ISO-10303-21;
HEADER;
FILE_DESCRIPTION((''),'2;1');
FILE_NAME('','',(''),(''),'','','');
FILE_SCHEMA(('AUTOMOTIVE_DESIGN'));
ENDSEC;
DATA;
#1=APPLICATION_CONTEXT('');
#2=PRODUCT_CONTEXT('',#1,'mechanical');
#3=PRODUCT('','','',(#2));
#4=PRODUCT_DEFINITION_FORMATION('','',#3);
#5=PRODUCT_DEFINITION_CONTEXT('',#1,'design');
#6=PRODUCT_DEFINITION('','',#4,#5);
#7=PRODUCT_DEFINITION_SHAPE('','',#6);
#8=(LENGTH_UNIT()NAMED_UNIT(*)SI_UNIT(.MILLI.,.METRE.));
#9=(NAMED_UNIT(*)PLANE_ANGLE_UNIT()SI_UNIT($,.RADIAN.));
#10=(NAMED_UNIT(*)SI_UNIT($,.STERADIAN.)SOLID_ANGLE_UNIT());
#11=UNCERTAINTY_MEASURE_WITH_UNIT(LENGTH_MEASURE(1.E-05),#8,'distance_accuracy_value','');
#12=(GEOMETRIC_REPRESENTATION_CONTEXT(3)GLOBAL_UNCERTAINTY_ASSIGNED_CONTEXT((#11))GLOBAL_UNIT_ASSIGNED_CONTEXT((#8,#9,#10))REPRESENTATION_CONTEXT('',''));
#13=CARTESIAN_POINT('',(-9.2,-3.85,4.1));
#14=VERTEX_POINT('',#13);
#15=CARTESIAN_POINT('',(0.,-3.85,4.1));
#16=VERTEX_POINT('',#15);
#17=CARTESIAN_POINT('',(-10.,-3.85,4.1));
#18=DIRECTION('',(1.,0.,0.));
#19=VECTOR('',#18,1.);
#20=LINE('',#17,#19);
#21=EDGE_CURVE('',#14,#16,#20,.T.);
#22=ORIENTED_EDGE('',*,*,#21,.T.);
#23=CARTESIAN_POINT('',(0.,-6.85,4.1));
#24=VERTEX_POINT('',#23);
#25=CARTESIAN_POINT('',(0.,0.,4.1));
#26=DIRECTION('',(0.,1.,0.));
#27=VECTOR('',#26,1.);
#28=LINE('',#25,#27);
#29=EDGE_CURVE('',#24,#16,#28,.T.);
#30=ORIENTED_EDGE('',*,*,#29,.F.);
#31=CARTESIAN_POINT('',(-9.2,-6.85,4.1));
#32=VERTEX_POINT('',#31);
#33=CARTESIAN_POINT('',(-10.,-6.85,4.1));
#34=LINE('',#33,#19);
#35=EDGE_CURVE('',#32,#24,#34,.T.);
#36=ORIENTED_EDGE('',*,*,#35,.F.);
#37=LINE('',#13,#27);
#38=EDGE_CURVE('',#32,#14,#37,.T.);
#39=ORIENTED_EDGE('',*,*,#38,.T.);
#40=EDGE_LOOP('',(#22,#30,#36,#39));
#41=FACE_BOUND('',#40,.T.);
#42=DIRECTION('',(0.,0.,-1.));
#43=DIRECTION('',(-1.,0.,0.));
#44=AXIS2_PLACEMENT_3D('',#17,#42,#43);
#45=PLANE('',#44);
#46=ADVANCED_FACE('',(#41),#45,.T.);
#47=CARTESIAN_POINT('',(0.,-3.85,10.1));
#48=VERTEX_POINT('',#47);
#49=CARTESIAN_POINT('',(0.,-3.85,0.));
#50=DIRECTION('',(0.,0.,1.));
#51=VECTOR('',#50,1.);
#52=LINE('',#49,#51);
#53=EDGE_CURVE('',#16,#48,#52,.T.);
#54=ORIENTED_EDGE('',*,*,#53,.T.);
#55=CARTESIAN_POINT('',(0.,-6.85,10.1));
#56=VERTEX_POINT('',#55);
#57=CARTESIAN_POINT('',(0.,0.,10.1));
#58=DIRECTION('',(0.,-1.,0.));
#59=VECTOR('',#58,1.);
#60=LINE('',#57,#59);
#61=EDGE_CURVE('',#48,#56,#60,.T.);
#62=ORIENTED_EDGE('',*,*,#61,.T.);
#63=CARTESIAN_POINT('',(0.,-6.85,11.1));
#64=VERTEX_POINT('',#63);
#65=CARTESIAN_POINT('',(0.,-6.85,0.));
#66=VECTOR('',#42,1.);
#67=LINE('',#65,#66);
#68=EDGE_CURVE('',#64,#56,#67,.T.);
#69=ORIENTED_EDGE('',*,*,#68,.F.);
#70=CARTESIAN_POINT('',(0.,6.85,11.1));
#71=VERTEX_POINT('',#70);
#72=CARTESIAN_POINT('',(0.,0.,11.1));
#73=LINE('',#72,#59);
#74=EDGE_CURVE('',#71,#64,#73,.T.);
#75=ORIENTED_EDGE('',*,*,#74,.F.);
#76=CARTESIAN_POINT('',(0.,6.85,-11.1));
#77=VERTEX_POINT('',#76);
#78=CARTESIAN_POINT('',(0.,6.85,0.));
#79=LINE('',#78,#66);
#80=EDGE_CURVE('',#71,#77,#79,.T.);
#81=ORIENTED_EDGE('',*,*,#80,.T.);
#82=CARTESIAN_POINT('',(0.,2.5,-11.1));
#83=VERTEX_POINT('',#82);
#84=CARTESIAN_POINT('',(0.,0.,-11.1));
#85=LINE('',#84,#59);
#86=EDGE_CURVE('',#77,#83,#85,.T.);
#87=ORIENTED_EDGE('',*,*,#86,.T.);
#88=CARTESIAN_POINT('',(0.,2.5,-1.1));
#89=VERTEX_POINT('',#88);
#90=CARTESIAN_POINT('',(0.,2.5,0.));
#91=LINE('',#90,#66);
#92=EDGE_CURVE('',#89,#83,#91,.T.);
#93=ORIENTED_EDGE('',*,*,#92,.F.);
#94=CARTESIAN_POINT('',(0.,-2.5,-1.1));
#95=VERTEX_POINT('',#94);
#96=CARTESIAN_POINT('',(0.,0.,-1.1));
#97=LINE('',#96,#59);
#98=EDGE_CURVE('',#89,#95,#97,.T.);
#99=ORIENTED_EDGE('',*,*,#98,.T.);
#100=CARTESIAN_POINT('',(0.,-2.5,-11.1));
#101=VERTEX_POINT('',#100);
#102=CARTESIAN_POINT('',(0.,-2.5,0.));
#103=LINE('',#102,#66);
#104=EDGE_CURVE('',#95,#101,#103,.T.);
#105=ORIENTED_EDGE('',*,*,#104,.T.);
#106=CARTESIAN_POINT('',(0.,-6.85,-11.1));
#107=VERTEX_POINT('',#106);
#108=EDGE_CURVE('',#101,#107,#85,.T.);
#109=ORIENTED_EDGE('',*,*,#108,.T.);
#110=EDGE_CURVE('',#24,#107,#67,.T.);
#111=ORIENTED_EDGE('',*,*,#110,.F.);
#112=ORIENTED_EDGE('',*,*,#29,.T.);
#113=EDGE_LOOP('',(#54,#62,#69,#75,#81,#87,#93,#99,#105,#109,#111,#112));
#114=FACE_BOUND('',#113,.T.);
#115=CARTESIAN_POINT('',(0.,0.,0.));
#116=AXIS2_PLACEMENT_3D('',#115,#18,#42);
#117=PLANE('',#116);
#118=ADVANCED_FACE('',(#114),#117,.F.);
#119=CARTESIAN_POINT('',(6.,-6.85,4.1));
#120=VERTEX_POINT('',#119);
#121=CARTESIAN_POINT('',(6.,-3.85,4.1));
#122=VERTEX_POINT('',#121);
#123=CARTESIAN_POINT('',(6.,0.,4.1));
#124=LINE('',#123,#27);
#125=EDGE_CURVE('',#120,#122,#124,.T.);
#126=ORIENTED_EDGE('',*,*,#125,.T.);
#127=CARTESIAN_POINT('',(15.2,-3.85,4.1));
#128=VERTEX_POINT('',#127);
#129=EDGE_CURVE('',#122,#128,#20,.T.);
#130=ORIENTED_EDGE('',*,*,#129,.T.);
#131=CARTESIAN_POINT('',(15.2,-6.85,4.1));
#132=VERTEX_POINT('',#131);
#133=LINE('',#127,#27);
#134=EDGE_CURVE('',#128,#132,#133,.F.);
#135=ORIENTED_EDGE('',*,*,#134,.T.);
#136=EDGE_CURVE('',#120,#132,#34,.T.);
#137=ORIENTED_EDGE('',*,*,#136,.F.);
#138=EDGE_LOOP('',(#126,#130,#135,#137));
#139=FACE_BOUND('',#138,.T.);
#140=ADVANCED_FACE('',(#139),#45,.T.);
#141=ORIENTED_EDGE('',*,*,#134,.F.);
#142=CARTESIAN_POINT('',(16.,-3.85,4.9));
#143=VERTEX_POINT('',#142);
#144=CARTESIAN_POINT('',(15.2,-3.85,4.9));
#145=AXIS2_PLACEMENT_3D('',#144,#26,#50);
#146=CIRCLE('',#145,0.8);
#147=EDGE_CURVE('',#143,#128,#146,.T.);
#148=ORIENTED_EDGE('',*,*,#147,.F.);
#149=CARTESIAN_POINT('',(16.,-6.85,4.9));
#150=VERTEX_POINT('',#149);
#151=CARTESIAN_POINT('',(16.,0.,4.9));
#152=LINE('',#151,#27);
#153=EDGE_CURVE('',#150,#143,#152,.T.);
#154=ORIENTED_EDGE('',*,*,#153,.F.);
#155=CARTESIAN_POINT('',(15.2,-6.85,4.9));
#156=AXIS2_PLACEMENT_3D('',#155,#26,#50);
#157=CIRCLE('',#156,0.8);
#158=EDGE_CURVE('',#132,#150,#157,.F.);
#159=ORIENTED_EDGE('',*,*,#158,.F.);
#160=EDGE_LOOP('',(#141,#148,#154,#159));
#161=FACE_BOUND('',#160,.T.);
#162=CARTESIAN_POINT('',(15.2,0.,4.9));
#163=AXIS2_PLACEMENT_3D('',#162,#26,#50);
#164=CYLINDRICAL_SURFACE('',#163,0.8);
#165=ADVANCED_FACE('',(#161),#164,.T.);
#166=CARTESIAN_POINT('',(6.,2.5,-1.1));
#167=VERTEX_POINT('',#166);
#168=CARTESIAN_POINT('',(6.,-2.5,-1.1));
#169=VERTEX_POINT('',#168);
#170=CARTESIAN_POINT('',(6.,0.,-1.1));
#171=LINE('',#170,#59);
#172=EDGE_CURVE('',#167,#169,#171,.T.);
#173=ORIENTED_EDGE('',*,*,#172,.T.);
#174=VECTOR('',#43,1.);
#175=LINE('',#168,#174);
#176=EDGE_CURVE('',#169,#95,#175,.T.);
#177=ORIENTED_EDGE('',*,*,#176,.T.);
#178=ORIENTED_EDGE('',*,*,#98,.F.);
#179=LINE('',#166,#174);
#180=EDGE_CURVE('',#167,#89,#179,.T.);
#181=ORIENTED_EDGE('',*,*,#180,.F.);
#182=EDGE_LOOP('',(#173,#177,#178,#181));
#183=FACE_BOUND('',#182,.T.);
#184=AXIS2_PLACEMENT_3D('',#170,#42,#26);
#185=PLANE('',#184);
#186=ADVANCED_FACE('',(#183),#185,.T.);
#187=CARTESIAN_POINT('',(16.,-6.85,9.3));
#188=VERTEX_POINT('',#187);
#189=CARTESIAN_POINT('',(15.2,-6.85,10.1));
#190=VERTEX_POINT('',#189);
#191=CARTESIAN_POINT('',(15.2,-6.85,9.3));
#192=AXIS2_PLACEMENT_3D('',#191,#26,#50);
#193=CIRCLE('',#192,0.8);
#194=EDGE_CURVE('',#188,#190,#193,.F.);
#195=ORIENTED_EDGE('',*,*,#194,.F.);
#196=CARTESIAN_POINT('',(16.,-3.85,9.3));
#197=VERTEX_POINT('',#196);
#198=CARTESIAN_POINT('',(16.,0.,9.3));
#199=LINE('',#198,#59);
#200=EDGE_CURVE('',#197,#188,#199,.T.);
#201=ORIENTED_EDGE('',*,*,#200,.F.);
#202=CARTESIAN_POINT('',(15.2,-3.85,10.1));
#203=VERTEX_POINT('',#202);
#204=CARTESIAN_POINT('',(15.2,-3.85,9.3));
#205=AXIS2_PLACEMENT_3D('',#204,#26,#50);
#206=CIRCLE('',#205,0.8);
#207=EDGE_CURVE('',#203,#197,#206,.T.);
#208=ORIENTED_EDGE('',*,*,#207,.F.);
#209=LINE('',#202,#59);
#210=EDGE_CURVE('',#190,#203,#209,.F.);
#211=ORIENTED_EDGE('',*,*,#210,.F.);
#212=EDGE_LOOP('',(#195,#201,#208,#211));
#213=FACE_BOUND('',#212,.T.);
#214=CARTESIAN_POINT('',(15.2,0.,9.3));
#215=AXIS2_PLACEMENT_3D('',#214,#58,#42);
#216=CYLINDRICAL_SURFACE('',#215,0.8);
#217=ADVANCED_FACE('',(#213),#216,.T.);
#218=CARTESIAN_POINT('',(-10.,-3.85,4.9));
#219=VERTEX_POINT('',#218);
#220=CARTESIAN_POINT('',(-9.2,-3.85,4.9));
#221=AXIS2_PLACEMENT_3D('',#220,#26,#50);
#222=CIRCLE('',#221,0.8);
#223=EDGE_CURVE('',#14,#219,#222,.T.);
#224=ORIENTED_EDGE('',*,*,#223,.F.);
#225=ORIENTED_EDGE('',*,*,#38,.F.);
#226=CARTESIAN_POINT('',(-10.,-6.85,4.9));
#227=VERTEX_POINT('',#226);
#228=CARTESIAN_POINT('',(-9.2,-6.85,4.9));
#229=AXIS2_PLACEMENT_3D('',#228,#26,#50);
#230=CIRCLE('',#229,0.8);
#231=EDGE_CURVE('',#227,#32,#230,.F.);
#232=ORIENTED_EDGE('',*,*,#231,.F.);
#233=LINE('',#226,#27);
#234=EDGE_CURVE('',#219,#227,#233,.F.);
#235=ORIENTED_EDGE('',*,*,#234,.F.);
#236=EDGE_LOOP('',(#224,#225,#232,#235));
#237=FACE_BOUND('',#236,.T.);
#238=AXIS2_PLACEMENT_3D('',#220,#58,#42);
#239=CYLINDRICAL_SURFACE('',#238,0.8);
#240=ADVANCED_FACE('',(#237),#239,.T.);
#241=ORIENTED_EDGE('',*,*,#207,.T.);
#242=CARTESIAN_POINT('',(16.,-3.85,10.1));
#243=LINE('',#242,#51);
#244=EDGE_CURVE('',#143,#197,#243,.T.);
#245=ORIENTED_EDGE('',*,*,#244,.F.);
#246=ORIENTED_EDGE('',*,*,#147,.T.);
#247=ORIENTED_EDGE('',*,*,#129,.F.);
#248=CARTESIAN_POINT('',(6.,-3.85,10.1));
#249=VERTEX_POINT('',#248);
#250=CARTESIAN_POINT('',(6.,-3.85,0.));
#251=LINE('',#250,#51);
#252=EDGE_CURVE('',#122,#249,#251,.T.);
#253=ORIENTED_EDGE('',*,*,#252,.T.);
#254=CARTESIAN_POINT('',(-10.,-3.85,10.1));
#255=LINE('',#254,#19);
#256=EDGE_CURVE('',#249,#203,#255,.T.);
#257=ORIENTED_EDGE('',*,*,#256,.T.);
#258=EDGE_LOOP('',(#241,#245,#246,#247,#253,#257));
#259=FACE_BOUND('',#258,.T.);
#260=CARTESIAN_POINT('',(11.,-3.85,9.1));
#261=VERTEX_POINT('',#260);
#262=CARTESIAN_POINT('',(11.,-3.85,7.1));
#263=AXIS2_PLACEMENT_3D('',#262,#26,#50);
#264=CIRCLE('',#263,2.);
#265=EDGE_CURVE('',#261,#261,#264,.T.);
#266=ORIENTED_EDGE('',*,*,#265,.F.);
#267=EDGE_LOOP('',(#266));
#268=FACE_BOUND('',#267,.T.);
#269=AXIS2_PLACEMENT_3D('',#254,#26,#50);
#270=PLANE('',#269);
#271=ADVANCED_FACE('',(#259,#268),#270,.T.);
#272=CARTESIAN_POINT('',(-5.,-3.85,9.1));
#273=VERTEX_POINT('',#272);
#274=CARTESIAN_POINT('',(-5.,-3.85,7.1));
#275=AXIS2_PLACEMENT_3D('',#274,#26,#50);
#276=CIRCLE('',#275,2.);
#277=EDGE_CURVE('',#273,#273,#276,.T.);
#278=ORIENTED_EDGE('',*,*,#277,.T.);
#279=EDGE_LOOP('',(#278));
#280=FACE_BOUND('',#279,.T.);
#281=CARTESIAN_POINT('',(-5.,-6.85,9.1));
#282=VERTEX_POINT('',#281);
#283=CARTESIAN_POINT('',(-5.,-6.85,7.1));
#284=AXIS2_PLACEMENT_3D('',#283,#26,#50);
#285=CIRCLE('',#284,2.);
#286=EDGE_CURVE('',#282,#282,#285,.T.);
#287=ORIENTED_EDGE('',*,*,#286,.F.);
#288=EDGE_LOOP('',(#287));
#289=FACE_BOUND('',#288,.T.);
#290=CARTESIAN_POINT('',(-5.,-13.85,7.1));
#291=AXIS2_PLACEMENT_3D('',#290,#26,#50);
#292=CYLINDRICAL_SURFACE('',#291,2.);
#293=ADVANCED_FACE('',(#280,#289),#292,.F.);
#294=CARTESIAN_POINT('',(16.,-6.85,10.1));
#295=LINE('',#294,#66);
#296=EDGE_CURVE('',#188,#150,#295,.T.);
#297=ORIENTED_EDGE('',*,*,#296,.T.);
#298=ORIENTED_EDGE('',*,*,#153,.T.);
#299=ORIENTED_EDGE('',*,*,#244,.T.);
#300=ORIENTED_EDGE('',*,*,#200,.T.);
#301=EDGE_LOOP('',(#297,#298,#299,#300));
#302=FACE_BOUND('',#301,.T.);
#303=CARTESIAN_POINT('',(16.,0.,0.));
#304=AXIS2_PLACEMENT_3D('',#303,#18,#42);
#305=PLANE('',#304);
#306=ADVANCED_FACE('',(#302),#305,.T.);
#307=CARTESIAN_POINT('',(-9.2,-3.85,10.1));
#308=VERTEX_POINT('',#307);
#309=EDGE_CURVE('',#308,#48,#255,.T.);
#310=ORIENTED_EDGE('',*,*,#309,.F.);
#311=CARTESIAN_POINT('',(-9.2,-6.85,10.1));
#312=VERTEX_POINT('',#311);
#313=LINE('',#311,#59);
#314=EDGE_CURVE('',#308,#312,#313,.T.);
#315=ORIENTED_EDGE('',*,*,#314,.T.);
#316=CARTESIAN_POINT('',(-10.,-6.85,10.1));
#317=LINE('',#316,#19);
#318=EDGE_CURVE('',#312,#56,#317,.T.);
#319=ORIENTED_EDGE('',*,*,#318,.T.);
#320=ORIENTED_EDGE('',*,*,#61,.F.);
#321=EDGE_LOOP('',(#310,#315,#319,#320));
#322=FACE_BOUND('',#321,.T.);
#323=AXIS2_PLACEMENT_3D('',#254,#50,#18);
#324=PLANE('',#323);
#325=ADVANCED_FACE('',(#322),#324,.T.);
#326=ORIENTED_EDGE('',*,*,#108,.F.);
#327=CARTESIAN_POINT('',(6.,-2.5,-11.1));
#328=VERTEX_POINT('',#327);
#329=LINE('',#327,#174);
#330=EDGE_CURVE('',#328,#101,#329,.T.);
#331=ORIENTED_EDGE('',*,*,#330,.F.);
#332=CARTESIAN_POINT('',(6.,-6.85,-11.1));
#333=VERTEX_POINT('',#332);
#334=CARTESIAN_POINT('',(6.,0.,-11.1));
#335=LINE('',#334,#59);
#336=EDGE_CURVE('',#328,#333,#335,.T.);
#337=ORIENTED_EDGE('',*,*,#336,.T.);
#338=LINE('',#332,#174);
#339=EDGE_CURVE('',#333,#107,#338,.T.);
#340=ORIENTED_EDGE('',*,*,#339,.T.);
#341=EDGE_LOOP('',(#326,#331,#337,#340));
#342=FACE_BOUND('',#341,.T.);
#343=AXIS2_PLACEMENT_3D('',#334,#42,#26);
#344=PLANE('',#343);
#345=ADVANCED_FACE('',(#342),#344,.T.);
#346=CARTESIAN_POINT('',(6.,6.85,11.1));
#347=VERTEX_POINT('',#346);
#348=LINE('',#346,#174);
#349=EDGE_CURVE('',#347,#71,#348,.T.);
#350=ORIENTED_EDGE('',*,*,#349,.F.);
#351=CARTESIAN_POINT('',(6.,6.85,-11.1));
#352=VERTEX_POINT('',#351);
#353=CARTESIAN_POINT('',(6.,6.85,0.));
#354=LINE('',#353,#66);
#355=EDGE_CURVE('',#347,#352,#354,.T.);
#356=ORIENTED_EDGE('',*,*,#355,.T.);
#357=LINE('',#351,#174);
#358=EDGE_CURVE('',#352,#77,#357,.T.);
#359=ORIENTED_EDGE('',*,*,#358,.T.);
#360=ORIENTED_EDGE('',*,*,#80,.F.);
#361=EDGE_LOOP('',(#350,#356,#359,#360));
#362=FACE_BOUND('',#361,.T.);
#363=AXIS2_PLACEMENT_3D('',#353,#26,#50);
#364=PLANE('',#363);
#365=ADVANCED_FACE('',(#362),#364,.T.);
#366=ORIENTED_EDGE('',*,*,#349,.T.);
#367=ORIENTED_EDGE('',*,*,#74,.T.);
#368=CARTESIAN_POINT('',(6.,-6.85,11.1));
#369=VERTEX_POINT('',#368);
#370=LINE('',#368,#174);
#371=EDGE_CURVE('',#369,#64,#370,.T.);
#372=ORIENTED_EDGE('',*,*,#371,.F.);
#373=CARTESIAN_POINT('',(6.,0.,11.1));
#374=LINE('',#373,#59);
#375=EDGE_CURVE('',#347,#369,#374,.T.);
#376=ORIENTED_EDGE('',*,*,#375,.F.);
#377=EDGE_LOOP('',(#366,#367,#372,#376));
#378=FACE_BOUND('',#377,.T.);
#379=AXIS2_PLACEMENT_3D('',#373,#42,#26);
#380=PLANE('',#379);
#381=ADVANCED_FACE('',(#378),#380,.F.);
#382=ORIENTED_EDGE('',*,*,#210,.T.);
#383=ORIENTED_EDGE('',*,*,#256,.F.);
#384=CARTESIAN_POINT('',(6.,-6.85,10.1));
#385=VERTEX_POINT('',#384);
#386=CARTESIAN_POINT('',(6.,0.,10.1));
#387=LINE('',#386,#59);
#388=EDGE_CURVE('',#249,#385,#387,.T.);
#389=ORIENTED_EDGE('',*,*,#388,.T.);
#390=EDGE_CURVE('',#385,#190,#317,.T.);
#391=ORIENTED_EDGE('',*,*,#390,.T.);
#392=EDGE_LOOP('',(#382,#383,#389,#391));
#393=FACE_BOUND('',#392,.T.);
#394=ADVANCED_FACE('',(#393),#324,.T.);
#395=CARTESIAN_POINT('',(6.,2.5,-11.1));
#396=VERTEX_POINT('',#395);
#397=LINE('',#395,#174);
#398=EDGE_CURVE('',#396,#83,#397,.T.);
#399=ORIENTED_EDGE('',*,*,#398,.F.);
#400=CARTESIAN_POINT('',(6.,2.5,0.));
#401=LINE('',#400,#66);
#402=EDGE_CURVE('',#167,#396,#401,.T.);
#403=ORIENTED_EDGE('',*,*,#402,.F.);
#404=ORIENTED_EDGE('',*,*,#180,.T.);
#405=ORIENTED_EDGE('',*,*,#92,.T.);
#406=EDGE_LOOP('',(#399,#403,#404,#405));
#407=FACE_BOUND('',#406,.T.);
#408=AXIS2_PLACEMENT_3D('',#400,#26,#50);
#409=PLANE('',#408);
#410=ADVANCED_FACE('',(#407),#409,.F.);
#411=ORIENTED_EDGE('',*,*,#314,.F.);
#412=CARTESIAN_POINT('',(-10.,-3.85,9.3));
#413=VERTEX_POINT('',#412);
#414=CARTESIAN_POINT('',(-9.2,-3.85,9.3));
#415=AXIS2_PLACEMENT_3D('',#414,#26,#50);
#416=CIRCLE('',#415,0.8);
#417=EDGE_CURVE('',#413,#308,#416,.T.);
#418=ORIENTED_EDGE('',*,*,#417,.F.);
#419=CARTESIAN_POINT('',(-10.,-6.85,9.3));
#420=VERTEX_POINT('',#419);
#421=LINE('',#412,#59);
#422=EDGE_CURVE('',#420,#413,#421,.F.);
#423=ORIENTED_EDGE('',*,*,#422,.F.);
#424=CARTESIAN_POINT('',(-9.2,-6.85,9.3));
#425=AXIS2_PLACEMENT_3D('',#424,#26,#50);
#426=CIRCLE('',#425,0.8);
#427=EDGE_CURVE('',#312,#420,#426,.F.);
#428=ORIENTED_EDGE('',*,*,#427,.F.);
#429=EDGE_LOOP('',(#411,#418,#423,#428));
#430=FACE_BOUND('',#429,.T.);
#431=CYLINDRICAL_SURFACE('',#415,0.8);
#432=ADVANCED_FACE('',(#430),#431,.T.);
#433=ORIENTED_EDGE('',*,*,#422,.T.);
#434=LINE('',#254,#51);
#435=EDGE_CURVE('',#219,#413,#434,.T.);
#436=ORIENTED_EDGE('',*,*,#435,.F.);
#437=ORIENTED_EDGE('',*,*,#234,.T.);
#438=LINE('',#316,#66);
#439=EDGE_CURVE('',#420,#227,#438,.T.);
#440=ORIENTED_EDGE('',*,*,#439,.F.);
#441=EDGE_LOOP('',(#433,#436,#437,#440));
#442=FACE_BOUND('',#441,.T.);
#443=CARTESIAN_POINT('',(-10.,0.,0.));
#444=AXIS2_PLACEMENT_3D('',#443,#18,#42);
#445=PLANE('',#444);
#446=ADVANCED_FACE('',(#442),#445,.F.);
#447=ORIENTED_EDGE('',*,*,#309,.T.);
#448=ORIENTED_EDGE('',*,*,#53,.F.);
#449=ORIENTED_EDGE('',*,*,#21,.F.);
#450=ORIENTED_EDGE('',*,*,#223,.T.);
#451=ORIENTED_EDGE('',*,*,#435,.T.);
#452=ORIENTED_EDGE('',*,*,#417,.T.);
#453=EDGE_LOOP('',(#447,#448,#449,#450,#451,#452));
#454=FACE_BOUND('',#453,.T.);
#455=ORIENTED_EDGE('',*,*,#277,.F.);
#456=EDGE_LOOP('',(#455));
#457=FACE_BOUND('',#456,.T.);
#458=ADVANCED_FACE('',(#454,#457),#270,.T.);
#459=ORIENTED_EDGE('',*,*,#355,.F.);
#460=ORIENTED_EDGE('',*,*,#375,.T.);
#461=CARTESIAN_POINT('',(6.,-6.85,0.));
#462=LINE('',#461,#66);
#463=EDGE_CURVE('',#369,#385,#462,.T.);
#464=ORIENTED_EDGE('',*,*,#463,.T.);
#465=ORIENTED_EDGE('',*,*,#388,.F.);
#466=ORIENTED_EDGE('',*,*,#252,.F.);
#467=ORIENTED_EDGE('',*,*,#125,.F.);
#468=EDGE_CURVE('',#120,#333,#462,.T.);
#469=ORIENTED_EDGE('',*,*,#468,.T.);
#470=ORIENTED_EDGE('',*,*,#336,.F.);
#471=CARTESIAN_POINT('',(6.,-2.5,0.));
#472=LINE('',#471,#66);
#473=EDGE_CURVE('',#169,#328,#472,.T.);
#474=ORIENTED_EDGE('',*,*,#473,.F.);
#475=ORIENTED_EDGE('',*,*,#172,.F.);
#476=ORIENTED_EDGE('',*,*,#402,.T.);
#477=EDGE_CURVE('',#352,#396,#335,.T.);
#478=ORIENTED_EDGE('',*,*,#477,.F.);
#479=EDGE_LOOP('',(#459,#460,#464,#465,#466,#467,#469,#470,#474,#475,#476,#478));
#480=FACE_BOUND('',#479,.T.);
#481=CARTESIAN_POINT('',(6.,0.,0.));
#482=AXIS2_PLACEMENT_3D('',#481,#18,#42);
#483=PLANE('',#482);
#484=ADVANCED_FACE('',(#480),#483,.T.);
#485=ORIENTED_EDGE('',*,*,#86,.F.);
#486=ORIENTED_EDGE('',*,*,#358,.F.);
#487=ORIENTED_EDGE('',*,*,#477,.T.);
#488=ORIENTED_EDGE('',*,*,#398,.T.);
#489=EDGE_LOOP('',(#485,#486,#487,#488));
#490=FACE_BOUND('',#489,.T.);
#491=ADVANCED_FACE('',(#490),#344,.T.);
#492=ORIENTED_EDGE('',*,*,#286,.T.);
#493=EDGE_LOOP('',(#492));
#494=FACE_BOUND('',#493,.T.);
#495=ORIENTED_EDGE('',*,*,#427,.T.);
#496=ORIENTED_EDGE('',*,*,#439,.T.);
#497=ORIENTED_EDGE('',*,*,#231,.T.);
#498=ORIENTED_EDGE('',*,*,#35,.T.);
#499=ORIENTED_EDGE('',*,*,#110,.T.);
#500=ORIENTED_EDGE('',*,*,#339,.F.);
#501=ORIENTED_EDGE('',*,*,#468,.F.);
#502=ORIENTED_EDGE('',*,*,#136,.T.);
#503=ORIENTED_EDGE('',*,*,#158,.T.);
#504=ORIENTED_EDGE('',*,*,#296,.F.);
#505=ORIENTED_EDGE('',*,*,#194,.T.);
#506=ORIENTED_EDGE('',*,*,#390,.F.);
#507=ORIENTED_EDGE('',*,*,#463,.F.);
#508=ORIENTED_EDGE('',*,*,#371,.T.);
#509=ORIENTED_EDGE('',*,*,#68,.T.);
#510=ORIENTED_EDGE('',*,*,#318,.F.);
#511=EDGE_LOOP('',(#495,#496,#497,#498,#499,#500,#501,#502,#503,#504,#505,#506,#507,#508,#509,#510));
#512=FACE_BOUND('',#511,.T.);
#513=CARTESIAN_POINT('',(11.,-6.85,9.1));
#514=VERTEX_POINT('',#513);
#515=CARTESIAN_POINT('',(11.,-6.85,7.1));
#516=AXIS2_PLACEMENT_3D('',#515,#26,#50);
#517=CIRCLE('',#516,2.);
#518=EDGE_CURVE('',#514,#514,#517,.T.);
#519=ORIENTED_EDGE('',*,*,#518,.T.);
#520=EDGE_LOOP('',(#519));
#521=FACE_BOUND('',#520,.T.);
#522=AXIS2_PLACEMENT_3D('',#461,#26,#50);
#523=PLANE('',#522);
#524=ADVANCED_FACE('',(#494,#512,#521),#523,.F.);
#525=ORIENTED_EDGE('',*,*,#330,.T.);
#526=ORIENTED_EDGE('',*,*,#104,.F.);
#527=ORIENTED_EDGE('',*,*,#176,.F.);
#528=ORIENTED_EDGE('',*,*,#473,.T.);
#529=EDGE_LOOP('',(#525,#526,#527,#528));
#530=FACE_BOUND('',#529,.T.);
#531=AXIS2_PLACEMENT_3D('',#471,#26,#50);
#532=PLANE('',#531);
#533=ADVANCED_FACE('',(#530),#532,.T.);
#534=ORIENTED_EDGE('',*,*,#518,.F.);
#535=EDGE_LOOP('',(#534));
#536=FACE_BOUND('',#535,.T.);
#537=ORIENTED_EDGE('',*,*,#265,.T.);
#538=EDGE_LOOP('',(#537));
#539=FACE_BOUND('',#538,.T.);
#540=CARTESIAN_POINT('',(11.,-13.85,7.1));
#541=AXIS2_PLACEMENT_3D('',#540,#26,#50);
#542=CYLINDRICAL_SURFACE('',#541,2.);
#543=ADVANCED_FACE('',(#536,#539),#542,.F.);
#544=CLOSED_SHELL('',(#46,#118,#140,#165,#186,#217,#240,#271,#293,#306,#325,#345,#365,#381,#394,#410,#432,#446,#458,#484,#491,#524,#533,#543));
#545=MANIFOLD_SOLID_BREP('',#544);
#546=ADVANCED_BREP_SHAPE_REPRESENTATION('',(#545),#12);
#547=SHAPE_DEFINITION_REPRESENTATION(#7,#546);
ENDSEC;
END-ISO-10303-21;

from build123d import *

# Parameters (mm, degrees)
BOSS_EXTRUDE1_DEPTH      = 6
BOSS_EXTRUDE2_DEPTH      = 10
BOSS_EXTRUDE2_DEPTH_BACK = 16
SKETCH2_W                = 6
SKETCH2_H                = 3
SKETCH3_R                = 2
CUT_EXTRUDE1_DEPTH       = 10
FILLET1_R                = 0.8


with BuildPart() as part:
    # Sketch1 → Boss-Extrude1 (new body)
    with BuildSketch(Plane(origin=(0, 0, 0), x_dir=(0, 0, -1), z_dir=(1, 0, 0))):
        Polygon((11.1, 6.85), (-11.1, 6.85), (-11.1, -6.85), (11.1, -6.85), (11.1, -2.5), (1.1, -2.5), (1.1, 2.5), (11.1, 2.5), align=None)
    extrude(amount=BOSS_EXTRUDE1_DEPTH)

    # Sketch2 → Boss-Extrude2 (add, two sides: drawn at the far end of the back side and taken through both)
    with BuildSketch(Plane(origin=(6, 0, 0), x_dir=(0, 0, -1), z_dir=(1, 0, 0)).offset(-BOSS_EXTRUDE2_DEPTH_BACK)):
        with Locations((-7.1, -5.35)):
            Rectangle(SKETCH2_W, SKETCH2_H)
    extrude(amount=BOSS_EXTRUDE2_DEPTH + BOSS_EXTRUDE2_DEPTH_BACK)

    # Sketch3 → Cut-Extrude1 (cut)
    with BuildSketch(Plane(origin=(0, -3.85, 0), x_dir=(1, 0, 0), z_dir=(0, 1, 0))):
        with Locations((11, -7.1)):
            Circle(SKETCH3_R)
        with Locations((-5, -7.1)):
            Circle(SKETCH3_R)
    extrude(amount=-CUT_EXTRUDE1_DEPTH, mode=Mode.SUBTRACT)

    # Fillet1
    fillet1_edges = [part.edges().sort_by_distance(p)[0] for p in [
        (16, -5.35, 10.1),
        (16, -5.35, 4.1),
        (-10, -5.35, 10.1),
        (-10, -5.35, 4.1),
    ]]
    fillet(fillet1_edges, radius=FILLET1_R)


solid = part.part
